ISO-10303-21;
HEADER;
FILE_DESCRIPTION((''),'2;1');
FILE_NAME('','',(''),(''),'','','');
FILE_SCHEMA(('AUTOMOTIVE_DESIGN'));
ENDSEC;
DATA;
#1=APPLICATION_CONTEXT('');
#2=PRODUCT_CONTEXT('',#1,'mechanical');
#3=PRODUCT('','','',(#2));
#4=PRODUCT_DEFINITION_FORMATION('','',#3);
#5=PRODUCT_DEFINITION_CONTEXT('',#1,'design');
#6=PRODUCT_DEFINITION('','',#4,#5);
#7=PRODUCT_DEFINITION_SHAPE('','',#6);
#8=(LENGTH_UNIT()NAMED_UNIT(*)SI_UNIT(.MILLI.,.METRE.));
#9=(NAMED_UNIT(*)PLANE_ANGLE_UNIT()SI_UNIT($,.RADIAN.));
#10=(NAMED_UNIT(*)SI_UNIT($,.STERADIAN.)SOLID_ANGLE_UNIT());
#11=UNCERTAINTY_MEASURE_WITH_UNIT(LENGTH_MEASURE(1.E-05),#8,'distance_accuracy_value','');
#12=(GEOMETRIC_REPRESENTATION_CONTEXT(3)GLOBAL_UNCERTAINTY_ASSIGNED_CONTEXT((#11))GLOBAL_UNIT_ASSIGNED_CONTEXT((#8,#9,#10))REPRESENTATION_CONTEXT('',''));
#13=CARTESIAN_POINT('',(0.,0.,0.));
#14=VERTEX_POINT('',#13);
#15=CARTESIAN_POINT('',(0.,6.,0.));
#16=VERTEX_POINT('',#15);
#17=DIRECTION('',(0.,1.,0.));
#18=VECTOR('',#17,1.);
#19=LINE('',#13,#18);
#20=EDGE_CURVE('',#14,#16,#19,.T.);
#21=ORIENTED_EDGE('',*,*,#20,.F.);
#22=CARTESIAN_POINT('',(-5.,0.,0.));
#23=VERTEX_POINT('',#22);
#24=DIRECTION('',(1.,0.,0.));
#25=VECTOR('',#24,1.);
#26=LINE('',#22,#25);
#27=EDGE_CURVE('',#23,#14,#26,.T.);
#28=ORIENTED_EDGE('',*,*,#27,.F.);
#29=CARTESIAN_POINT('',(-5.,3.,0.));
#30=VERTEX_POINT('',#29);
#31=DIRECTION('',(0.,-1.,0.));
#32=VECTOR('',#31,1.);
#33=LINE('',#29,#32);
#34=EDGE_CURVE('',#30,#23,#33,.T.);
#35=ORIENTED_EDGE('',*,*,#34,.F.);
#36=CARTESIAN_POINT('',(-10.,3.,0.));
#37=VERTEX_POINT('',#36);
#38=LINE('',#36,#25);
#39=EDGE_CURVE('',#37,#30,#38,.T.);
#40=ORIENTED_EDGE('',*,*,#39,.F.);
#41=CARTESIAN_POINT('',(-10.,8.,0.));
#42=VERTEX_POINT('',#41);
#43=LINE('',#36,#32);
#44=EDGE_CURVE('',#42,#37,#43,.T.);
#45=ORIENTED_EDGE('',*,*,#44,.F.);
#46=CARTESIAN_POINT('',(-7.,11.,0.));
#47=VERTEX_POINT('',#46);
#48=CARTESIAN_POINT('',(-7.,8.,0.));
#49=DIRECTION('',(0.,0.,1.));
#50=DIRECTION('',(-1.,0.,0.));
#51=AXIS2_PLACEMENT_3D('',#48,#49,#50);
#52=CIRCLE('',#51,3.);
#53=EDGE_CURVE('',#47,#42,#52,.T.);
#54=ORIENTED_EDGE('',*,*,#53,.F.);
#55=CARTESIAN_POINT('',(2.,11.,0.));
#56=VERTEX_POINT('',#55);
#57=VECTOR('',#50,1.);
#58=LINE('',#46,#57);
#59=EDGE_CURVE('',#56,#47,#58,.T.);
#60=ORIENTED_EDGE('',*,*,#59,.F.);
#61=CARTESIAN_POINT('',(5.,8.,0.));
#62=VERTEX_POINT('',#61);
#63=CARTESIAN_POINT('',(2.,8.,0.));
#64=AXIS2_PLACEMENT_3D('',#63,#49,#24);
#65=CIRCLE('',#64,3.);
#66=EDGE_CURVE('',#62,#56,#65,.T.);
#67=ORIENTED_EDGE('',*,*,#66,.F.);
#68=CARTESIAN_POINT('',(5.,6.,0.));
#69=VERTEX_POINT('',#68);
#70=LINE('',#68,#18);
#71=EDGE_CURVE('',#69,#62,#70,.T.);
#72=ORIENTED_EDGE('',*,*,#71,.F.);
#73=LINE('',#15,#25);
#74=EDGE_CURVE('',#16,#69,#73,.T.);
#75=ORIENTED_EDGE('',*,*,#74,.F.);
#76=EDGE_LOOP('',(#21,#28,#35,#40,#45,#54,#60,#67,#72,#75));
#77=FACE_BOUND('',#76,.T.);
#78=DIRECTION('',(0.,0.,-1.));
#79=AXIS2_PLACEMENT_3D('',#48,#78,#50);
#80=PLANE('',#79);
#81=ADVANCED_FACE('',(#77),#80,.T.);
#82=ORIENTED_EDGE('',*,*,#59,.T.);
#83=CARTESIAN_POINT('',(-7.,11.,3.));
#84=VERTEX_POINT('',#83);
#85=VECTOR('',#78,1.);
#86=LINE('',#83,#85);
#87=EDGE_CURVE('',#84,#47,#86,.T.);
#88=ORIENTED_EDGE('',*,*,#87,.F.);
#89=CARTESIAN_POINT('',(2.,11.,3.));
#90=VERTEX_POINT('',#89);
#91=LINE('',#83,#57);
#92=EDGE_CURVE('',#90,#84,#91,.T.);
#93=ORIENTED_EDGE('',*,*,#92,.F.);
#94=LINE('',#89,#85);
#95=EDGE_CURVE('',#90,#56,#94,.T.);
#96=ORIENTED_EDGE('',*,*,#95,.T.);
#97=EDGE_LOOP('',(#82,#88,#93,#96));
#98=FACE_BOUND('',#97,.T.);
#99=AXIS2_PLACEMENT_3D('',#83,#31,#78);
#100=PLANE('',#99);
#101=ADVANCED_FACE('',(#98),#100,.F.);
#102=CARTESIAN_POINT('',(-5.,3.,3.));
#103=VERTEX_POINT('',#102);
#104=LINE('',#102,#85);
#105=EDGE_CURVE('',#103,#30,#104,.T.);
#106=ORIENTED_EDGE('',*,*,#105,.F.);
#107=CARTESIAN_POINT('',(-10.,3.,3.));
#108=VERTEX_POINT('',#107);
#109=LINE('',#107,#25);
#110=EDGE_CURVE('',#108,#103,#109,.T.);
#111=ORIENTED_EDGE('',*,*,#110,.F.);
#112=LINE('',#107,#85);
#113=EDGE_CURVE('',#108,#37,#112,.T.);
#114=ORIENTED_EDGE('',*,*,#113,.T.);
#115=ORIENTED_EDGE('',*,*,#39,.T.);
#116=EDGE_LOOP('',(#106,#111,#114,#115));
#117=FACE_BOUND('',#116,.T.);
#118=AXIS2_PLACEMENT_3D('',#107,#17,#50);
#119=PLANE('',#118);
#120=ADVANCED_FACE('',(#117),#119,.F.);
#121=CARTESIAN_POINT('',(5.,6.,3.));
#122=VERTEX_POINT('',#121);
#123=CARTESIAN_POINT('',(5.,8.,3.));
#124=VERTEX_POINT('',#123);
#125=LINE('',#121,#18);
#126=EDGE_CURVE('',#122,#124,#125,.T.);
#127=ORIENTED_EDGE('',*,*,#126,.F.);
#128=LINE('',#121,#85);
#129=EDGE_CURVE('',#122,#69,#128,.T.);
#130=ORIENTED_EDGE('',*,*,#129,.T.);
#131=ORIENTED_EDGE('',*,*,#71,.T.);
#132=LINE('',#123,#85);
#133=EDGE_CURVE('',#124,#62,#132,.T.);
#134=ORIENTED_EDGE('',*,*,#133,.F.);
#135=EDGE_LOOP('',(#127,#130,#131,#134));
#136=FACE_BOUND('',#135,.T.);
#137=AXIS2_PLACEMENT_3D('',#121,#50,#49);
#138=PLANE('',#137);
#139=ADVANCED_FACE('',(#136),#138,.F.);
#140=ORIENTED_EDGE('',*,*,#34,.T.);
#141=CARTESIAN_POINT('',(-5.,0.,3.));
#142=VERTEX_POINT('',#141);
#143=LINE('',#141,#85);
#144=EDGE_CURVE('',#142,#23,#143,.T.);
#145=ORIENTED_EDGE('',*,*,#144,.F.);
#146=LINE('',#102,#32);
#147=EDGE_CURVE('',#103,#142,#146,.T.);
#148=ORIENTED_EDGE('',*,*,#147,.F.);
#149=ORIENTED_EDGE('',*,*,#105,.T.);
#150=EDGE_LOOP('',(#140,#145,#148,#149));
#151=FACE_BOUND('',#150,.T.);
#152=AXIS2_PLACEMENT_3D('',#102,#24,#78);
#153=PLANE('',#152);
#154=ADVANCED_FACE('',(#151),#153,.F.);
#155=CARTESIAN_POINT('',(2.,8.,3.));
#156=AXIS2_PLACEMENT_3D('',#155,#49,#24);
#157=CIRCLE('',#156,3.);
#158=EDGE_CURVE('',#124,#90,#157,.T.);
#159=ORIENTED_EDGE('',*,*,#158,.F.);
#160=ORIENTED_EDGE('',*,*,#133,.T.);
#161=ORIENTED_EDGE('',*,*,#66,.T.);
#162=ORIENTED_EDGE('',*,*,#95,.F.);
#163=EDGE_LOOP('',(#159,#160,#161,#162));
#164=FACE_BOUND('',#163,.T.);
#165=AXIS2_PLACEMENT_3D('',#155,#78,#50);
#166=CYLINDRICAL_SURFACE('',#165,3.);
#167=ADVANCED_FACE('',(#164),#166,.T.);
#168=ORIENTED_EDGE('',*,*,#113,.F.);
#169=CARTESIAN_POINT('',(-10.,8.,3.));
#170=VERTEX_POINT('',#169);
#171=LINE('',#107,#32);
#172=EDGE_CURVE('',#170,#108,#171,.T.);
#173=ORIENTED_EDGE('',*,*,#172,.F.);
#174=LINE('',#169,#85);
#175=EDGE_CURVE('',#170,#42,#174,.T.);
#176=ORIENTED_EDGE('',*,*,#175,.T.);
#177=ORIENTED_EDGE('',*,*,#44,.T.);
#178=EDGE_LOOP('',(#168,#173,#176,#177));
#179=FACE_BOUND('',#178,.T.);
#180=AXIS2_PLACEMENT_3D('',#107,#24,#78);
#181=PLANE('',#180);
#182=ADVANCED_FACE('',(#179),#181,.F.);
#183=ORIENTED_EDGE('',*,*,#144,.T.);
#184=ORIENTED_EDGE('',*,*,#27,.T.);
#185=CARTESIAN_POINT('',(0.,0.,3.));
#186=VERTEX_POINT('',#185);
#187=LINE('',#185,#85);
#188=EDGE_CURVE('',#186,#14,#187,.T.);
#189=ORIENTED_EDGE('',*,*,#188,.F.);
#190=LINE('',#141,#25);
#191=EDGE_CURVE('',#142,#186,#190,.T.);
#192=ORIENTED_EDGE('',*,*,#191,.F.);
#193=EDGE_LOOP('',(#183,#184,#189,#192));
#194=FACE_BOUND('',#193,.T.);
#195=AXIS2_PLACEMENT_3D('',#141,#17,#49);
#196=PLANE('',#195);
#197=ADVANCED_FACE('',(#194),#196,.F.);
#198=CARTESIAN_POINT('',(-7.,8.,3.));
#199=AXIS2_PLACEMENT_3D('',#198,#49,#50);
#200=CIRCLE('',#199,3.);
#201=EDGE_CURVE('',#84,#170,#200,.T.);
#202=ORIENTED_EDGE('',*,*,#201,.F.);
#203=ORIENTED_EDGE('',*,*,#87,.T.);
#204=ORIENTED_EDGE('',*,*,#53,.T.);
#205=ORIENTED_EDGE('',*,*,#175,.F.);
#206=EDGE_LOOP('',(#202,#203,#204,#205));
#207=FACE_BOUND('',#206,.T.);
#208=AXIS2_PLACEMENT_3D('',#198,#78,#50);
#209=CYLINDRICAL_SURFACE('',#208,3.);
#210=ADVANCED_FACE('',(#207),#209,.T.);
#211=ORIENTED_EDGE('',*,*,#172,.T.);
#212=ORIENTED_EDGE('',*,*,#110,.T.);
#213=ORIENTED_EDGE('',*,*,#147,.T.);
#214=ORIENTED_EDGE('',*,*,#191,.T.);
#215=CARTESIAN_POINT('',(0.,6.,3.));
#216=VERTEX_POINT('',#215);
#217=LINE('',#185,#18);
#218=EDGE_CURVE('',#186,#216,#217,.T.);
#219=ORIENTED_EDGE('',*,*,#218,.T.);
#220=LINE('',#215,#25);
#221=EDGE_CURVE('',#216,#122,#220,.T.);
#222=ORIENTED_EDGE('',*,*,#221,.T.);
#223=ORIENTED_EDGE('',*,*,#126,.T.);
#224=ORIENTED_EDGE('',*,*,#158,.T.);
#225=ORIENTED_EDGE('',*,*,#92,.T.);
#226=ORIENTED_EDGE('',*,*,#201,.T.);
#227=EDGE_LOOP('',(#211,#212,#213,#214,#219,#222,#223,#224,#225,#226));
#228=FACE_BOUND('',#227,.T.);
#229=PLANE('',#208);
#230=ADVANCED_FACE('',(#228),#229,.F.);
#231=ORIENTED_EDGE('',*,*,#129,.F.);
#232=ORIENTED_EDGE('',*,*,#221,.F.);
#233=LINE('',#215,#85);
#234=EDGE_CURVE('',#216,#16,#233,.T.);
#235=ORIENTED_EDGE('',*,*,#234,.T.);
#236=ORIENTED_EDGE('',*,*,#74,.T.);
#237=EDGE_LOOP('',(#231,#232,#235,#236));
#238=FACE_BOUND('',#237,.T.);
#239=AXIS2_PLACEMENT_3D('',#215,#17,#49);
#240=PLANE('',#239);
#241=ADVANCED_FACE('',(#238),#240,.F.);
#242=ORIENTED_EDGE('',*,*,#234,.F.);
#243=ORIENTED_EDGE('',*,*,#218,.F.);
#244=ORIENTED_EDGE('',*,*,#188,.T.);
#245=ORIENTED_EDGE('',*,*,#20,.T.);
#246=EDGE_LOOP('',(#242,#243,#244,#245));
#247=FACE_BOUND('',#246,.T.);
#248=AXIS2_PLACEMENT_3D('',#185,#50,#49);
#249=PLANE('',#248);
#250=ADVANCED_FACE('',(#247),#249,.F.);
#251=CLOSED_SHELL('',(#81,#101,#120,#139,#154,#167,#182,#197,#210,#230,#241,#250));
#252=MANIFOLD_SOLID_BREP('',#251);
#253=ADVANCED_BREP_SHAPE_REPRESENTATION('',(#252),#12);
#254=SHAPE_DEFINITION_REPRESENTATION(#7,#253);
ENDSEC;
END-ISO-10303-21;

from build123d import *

# Parameters (mm, degrees)
BOSS_EXTRUDE1_DEPTH = 3


with BuildPart() as part:
    # Sketch1 → Boss-Extrude1 (new body)
    with BuildSketch(Plane.XY):
        with BuildLine():
            Line((-10, 3), (-5, 3))
            Line((-5, 3), (-5, 0))
            Line((-5, 0), (0, 0))
            Line((0, 0), (0, 6))
            Line((0, 6), (5, 6))
            Line((5, 6), (5, 8))
            ThreePointArc((5, 8), (4.121320344, 10.121320344), (2, 11))
            Line((2, 11), (-7, 11))
            ThreePointArc((-7, 11), (-9.121320344, 10.121320344), (-10, 8))
            Line((-10, 8), (-10, 3))
        make_face()
    extrude(amount=BOSS_EXTRUDE1_DEPTH)


solid = part.part
